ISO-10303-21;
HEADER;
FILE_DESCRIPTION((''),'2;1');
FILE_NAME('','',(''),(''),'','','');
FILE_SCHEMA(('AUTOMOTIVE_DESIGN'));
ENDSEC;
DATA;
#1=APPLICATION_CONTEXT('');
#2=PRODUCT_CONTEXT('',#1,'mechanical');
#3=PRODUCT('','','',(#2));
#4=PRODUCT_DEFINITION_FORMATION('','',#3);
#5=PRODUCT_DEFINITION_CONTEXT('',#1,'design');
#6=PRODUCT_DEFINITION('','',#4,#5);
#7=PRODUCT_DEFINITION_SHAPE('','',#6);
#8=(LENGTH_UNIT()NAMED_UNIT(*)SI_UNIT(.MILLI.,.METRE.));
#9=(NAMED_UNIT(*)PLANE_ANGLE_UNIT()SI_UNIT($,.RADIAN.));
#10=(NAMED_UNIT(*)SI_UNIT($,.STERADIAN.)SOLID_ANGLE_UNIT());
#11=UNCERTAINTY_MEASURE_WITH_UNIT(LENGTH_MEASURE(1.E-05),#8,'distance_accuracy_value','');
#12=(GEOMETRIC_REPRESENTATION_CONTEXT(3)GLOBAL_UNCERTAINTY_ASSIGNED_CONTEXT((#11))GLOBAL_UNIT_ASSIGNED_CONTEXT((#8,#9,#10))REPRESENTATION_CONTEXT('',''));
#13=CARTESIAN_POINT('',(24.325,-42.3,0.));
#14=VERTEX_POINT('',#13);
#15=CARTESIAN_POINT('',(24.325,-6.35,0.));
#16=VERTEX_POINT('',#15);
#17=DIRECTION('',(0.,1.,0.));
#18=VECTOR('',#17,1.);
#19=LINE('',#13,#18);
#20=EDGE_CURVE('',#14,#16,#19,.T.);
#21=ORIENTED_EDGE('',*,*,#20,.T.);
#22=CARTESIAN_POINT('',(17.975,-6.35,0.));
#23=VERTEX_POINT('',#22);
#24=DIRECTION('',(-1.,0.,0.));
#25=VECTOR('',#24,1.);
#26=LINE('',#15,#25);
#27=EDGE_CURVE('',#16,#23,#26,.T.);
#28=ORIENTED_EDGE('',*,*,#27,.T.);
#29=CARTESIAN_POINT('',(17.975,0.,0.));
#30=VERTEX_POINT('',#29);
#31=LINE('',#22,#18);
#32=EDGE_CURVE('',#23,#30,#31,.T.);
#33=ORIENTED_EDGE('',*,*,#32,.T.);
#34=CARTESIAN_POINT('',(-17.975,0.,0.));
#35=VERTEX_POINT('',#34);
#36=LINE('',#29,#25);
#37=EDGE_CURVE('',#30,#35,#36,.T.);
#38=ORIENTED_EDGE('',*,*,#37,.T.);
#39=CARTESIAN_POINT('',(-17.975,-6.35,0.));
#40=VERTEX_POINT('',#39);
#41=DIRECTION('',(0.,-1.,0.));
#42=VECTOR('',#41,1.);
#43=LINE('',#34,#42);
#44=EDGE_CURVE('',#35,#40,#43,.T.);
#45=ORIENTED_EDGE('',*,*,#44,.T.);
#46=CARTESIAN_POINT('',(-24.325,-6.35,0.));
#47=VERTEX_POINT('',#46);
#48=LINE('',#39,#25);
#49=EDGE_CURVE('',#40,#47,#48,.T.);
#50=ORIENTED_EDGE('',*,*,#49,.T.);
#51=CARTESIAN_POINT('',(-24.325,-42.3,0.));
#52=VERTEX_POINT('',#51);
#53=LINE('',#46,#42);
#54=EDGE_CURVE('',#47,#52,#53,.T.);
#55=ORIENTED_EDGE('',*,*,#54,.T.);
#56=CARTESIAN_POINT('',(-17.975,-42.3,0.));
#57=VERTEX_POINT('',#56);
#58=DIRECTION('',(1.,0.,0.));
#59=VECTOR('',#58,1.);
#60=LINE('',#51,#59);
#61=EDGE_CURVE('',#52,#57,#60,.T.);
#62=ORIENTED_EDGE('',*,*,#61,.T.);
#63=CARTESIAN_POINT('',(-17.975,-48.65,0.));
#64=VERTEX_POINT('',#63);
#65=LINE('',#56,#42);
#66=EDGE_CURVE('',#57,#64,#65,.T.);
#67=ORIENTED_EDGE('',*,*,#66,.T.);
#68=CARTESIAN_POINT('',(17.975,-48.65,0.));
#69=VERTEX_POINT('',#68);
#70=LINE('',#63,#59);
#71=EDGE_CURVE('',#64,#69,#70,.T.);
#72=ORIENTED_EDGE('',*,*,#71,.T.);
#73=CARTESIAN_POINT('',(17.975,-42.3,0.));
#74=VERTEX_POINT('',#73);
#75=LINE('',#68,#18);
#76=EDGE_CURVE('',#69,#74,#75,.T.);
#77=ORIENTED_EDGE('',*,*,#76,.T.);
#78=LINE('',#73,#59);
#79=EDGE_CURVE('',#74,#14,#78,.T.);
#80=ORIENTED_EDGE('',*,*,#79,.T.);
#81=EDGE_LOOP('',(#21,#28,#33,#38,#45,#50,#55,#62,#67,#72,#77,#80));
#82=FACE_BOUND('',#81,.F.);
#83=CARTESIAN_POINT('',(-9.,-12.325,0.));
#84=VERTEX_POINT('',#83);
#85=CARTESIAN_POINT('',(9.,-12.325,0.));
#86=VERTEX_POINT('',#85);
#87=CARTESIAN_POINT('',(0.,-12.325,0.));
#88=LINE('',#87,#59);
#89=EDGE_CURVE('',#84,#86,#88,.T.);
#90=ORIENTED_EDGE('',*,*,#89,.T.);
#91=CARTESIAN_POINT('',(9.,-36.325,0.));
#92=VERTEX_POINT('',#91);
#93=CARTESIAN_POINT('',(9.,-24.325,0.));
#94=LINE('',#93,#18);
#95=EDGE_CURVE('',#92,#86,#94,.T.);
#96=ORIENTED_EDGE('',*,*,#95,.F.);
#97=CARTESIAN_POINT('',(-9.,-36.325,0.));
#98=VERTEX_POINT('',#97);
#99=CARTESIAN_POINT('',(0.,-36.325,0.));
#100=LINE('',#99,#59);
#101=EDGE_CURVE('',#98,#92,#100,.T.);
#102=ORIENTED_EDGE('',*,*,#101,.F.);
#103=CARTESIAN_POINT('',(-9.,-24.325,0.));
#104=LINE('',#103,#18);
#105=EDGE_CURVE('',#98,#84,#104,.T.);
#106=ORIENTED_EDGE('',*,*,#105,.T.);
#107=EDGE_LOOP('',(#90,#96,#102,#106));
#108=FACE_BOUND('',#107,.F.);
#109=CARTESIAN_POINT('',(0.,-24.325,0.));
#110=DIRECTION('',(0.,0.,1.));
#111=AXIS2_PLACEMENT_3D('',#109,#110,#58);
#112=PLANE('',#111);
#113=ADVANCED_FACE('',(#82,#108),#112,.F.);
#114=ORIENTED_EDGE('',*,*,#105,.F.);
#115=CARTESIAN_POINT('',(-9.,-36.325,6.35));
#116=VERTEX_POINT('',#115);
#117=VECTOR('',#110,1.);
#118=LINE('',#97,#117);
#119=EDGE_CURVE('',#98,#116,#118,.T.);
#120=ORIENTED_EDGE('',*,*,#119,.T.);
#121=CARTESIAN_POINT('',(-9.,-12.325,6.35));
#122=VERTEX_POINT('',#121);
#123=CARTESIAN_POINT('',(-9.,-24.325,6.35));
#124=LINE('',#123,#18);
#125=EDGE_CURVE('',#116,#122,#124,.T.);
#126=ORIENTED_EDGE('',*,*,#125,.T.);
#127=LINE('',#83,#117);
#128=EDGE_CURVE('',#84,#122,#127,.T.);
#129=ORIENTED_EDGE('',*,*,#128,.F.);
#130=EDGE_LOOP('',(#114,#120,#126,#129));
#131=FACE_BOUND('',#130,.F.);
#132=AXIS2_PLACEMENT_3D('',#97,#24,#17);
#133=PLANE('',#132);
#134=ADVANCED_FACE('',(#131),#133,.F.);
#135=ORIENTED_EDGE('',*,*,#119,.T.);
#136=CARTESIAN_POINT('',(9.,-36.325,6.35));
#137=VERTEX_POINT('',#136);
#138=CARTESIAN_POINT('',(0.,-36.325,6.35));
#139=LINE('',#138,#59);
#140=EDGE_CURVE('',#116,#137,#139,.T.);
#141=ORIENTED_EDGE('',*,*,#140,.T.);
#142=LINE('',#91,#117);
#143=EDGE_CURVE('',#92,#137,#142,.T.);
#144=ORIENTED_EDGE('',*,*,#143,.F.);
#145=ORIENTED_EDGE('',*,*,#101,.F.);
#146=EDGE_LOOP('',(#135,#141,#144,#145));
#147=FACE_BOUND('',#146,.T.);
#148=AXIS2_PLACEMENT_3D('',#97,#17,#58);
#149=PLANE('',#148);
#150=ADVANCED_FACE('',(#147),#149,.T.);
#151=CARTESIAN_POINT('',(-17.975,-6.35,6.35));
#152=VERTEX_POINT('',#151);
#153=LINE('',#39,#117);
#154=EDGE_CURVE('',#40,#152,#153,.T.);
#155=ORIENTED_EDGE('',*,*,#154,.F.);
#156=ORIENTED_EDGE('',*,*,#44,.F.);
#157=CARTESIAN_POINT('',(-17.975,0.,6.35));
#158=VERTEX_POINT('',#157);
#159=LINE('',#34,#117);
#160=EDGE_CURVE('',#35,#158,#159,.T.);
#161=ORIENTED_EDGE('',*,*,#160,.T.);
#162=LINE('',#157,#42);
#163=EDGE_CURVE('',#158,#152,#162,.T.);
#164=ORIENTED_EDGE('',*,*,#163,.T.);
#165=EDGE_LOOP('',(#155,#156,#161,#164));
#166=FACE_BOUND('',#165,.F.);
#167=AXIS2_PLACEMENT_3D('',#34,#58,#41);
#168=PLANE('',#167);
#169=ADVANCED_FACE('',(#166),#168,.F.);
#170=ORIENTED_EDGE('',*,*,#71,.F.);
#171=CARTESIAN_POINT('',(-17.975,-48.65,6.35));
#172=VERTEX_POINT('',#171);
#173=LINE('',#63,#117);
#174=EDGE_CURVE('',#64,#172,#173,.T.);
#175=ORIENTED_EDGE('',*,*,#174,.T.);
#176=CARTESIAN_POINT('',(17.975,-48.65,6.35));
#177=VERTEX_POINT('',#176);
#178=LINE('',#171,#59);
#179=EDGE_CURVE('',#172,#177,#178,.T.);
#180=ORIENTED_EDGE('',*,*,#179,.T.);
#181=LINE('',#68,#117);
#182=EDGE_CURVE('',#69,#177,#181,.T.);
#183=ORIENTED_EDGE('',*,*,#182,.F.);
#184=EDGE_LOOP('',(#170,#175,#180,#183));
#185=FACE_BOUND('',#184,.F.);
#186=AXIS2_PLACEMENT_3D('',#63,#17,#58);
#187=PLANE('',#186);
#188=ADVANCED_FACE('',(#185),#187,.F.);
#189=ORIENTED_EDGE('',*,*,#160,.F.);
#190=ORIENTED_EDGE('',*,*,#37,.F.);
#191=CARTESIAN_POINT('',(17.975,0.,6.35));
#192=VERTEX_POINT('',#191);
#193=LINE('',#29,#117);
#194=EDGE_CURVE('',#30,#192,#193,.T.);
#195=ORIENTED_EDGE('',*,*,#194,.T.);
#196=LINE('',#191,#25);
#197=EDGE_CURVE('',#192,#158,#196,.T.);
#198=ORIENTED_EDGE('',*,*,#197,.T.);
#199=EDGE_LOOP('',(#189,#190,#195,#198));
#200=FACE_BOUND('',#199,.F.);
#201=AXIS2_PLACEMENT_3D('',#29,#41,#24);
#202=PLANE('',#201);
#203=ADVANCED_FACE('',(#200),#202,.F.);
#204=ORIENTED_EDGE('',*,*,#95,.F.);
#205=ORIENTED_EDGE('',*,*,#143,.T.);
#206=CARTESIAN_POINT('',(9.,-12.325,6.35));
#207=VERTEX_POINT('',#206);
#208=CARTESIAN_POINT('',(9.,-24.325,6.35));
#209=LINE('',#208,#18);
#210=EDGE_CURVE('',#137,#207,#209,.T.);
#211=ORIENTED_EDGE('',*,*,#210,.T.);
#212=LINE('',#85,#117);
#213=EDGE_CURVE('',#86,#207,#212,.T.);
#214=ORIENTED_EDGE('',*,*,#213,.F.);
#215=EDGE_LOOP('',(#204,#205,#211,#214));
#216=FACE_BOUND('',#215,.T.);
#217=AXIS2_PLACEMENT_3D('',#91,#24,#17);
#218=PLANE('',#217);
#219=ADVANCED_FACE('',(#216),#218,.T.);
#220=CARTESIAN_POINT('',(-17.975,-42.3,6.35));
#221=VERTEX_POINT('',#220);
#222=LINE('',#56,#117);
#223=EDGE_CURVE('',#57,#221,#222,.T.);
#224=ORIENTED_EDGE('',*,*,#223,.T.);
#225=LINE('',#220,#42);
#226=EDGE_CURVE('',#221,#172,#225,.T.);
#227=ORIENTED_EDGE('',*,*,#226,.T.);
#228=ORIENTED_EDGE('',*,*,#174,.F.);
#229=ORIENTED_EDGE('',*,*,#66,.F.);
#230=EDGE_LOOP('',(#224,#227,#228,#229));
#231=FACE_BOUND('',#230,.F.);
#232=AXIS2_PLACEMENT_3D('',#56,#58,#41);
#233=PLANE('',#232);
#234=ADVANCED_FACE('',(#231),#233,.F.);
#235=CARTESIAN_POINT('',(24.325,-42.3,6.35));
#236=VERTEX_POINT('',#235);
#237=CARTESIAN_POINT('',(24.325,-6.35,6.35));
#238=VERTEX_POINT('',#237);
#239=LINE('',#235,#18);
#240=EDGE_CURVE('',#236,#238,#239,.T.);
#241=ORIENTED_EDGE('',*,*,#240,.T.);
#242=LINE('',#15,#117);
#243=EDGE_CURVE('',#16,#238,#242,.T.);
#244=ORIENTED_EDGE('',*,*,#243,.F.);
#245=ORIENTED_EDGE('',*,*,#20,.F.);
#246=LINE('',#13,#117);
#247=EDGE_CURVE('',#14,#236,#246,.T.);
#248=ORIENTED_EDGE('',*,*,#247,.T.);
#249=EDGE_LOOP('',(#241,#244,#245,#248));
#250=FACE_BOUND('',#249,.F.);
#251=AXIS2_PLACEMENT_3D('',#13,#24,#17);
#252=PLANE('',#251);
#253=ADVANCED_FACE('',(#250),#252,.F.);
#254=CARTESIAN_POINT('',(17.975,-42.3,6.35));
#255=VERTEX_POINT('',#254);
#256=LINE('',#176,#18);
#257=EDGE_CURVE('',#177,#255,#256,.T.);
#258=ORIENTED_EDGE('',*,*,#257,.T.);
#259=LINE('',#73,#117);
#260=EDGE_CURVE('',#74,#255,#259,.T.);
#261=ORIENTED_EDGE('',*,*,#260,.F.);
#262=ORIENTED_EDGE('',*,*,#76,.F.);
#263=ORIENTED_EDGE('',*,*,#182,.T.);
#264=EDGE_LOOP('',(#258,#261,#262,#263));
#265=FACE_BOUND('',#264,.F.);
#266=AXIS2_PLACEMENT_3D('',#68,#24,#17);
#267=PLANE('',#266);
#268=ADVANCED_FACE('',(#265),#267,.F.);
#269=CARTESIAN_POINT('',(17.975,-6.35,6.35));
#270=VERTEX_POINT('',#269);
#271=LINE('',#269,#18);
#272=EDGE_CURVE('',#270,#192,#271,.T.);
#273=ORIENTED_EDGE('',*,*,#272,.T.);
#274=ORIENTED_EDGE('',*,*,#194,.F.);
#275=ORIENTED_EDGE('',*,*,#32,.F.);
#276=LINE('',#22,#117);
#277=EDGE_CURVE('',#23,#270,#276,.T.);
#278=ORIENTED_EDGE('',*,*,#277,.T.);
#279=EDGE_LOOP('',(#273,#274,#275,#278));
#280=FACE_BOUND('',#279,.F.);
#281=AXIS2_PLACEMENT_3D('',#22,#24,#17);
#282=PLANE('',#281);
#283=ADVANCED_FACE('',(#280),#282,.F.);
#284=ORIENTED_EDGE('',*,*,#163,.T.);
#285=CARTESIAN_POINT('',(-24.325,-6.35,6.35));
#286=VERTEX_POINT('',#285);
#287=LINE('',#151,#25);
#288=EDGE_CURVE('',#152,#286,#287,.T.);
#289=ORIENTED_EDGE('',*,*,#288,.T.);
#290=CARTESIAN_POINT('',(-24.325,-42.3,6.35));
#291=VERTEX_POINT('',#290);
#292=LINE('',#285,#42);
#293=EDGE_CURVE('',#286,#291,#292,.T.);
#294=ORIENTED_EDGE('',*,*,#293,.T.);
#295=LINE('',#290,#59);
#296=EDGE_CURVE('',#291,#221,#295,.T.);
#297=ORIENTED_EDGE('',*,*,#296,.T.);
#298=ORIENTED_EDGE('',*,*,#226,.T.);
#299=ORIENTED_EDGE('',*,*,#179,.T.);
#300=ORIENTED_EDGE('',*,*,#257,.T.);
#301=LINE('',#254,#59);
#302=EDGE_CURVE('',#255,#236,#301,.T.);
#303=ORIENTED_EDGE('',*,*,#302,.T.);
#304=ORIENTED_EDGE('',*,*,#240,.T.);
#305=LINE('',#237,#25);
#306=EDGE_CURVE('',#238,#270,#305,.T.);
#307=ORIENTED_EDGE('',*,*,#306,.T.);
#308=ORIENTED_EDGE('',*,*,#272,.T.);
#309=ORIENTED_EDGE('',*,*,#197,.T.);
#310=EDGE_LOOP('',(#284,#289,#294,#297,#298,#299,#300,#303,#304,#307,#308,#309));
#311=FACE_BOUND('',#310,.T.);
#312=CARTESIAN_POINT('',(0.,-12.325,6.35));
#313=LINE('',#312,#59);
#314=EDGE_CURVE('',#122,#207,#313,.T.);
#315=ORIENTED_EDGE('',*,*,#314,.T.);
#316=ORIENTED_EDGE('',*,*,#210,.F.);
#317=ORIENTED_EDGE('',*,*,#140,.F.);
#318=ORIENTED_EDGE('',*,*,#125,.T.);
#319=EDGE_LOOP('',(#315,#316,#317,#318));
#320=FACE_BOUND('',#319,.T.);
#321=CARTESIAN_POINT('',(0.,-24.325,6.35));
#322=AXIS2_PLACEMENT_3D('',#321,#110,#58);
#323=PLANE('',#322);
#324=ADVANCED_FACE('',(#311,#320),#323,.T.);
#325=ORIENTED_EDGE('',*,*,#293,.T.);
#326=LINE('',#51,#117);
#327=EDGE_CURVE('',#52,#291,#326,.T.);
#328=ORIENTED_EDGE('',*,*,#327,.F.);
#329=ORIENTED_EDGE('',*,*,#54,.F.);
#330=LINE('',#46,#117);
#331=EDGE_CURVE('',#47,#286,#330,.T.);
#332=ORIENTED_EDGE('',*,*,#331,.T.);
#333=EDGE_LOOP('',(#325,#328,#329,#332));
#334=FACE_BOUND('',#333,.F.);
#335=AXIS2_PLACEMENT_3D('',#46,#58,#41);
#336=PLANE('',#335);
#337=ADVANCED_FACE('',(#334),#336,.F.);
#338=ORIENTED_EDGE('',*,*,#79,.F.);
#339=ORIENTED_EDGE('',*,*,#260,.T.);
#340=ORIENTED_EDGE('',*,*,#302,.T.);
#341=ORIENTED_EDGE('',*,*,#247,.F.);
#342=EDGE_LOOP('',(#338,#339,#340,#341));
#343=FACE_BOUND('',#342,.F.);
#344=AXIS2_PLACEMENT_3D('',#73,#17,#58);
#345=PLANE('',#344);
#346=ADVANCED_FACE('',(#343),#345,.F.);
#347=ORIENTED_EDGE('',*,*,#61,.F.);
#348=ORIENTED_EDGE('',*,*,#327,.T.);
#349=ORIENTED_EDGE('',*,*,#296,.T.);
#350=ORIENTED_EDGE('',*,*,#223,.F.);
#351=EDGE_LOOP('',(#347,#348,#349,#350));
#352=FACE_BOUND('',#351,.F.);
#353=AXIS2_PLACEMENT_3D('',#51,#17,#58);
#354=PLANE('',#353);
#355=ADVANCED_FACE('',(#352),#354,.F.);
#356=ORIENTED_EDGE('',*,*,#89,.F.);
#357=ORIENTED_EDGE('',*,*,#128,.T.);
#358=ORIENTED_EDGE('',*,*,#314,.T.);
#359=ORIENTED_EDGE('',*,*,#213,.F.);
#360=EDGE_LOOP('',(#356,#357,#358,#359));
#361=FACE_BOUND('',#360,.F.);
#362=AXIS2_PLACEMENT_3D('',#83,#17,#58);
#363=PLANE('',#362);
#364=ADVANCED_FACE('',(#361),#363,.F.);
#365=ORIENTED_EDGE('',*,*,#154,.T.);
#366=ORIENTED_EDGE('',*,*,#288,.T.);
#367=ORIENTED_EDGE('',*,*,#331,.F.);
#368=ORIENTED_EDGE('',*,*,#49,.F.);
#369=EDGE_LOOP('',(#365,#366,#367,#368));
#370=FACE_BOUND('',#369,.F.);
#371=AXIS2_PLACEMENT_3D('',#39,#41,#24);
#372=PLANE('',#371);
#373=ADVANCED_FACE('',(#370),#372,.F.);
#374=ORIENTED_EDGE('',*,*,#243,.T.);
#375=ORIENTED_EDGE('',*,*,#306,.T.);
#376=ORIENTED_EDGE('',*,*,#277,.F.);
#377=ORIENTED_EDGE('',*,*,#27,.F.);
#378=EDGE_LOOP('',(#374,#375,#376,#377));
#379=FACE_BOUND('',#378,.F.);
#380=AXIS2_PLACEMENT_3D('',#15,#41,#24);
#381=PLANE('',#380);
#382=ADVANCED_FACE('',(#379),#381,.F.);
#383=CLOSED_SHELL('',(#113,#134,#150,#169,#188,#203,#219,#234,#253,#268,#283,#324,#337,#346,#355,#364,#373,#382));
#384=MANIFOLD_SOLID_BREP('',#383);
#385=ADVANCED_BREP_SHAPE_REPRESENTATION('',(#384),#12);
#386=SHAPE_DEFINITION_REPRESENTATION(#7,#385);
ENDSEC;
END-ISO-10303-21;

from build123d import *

# Parameters (mm, degrees)
F0_W     = 18
F0_H     = 24
F1_DEPTH = 6.35


with BuildPart() as f1:
    # F0 (on Top) → F1 (new body)
    with BuildSketch(Plane.XY):
        Polygon((17.975, 0), (-17.975, 0), (-17.975, -6.35), (-24.325, -6.35), (-24.325, -42.3), (-17.975, -42.3), (-17.975, -48.65), (17.975, -48.65), (17.975, -42.3), (24.325, -42.3), (24.325, -6.35), (17.975, -6.35), align=None)
        with Locations((0, -24.325)):
            Rectangle(F0_W, F0_H, mode=Mode.SUBTRACT)
    extrude(amount=F1_DEPTH)


solid = f1.part
